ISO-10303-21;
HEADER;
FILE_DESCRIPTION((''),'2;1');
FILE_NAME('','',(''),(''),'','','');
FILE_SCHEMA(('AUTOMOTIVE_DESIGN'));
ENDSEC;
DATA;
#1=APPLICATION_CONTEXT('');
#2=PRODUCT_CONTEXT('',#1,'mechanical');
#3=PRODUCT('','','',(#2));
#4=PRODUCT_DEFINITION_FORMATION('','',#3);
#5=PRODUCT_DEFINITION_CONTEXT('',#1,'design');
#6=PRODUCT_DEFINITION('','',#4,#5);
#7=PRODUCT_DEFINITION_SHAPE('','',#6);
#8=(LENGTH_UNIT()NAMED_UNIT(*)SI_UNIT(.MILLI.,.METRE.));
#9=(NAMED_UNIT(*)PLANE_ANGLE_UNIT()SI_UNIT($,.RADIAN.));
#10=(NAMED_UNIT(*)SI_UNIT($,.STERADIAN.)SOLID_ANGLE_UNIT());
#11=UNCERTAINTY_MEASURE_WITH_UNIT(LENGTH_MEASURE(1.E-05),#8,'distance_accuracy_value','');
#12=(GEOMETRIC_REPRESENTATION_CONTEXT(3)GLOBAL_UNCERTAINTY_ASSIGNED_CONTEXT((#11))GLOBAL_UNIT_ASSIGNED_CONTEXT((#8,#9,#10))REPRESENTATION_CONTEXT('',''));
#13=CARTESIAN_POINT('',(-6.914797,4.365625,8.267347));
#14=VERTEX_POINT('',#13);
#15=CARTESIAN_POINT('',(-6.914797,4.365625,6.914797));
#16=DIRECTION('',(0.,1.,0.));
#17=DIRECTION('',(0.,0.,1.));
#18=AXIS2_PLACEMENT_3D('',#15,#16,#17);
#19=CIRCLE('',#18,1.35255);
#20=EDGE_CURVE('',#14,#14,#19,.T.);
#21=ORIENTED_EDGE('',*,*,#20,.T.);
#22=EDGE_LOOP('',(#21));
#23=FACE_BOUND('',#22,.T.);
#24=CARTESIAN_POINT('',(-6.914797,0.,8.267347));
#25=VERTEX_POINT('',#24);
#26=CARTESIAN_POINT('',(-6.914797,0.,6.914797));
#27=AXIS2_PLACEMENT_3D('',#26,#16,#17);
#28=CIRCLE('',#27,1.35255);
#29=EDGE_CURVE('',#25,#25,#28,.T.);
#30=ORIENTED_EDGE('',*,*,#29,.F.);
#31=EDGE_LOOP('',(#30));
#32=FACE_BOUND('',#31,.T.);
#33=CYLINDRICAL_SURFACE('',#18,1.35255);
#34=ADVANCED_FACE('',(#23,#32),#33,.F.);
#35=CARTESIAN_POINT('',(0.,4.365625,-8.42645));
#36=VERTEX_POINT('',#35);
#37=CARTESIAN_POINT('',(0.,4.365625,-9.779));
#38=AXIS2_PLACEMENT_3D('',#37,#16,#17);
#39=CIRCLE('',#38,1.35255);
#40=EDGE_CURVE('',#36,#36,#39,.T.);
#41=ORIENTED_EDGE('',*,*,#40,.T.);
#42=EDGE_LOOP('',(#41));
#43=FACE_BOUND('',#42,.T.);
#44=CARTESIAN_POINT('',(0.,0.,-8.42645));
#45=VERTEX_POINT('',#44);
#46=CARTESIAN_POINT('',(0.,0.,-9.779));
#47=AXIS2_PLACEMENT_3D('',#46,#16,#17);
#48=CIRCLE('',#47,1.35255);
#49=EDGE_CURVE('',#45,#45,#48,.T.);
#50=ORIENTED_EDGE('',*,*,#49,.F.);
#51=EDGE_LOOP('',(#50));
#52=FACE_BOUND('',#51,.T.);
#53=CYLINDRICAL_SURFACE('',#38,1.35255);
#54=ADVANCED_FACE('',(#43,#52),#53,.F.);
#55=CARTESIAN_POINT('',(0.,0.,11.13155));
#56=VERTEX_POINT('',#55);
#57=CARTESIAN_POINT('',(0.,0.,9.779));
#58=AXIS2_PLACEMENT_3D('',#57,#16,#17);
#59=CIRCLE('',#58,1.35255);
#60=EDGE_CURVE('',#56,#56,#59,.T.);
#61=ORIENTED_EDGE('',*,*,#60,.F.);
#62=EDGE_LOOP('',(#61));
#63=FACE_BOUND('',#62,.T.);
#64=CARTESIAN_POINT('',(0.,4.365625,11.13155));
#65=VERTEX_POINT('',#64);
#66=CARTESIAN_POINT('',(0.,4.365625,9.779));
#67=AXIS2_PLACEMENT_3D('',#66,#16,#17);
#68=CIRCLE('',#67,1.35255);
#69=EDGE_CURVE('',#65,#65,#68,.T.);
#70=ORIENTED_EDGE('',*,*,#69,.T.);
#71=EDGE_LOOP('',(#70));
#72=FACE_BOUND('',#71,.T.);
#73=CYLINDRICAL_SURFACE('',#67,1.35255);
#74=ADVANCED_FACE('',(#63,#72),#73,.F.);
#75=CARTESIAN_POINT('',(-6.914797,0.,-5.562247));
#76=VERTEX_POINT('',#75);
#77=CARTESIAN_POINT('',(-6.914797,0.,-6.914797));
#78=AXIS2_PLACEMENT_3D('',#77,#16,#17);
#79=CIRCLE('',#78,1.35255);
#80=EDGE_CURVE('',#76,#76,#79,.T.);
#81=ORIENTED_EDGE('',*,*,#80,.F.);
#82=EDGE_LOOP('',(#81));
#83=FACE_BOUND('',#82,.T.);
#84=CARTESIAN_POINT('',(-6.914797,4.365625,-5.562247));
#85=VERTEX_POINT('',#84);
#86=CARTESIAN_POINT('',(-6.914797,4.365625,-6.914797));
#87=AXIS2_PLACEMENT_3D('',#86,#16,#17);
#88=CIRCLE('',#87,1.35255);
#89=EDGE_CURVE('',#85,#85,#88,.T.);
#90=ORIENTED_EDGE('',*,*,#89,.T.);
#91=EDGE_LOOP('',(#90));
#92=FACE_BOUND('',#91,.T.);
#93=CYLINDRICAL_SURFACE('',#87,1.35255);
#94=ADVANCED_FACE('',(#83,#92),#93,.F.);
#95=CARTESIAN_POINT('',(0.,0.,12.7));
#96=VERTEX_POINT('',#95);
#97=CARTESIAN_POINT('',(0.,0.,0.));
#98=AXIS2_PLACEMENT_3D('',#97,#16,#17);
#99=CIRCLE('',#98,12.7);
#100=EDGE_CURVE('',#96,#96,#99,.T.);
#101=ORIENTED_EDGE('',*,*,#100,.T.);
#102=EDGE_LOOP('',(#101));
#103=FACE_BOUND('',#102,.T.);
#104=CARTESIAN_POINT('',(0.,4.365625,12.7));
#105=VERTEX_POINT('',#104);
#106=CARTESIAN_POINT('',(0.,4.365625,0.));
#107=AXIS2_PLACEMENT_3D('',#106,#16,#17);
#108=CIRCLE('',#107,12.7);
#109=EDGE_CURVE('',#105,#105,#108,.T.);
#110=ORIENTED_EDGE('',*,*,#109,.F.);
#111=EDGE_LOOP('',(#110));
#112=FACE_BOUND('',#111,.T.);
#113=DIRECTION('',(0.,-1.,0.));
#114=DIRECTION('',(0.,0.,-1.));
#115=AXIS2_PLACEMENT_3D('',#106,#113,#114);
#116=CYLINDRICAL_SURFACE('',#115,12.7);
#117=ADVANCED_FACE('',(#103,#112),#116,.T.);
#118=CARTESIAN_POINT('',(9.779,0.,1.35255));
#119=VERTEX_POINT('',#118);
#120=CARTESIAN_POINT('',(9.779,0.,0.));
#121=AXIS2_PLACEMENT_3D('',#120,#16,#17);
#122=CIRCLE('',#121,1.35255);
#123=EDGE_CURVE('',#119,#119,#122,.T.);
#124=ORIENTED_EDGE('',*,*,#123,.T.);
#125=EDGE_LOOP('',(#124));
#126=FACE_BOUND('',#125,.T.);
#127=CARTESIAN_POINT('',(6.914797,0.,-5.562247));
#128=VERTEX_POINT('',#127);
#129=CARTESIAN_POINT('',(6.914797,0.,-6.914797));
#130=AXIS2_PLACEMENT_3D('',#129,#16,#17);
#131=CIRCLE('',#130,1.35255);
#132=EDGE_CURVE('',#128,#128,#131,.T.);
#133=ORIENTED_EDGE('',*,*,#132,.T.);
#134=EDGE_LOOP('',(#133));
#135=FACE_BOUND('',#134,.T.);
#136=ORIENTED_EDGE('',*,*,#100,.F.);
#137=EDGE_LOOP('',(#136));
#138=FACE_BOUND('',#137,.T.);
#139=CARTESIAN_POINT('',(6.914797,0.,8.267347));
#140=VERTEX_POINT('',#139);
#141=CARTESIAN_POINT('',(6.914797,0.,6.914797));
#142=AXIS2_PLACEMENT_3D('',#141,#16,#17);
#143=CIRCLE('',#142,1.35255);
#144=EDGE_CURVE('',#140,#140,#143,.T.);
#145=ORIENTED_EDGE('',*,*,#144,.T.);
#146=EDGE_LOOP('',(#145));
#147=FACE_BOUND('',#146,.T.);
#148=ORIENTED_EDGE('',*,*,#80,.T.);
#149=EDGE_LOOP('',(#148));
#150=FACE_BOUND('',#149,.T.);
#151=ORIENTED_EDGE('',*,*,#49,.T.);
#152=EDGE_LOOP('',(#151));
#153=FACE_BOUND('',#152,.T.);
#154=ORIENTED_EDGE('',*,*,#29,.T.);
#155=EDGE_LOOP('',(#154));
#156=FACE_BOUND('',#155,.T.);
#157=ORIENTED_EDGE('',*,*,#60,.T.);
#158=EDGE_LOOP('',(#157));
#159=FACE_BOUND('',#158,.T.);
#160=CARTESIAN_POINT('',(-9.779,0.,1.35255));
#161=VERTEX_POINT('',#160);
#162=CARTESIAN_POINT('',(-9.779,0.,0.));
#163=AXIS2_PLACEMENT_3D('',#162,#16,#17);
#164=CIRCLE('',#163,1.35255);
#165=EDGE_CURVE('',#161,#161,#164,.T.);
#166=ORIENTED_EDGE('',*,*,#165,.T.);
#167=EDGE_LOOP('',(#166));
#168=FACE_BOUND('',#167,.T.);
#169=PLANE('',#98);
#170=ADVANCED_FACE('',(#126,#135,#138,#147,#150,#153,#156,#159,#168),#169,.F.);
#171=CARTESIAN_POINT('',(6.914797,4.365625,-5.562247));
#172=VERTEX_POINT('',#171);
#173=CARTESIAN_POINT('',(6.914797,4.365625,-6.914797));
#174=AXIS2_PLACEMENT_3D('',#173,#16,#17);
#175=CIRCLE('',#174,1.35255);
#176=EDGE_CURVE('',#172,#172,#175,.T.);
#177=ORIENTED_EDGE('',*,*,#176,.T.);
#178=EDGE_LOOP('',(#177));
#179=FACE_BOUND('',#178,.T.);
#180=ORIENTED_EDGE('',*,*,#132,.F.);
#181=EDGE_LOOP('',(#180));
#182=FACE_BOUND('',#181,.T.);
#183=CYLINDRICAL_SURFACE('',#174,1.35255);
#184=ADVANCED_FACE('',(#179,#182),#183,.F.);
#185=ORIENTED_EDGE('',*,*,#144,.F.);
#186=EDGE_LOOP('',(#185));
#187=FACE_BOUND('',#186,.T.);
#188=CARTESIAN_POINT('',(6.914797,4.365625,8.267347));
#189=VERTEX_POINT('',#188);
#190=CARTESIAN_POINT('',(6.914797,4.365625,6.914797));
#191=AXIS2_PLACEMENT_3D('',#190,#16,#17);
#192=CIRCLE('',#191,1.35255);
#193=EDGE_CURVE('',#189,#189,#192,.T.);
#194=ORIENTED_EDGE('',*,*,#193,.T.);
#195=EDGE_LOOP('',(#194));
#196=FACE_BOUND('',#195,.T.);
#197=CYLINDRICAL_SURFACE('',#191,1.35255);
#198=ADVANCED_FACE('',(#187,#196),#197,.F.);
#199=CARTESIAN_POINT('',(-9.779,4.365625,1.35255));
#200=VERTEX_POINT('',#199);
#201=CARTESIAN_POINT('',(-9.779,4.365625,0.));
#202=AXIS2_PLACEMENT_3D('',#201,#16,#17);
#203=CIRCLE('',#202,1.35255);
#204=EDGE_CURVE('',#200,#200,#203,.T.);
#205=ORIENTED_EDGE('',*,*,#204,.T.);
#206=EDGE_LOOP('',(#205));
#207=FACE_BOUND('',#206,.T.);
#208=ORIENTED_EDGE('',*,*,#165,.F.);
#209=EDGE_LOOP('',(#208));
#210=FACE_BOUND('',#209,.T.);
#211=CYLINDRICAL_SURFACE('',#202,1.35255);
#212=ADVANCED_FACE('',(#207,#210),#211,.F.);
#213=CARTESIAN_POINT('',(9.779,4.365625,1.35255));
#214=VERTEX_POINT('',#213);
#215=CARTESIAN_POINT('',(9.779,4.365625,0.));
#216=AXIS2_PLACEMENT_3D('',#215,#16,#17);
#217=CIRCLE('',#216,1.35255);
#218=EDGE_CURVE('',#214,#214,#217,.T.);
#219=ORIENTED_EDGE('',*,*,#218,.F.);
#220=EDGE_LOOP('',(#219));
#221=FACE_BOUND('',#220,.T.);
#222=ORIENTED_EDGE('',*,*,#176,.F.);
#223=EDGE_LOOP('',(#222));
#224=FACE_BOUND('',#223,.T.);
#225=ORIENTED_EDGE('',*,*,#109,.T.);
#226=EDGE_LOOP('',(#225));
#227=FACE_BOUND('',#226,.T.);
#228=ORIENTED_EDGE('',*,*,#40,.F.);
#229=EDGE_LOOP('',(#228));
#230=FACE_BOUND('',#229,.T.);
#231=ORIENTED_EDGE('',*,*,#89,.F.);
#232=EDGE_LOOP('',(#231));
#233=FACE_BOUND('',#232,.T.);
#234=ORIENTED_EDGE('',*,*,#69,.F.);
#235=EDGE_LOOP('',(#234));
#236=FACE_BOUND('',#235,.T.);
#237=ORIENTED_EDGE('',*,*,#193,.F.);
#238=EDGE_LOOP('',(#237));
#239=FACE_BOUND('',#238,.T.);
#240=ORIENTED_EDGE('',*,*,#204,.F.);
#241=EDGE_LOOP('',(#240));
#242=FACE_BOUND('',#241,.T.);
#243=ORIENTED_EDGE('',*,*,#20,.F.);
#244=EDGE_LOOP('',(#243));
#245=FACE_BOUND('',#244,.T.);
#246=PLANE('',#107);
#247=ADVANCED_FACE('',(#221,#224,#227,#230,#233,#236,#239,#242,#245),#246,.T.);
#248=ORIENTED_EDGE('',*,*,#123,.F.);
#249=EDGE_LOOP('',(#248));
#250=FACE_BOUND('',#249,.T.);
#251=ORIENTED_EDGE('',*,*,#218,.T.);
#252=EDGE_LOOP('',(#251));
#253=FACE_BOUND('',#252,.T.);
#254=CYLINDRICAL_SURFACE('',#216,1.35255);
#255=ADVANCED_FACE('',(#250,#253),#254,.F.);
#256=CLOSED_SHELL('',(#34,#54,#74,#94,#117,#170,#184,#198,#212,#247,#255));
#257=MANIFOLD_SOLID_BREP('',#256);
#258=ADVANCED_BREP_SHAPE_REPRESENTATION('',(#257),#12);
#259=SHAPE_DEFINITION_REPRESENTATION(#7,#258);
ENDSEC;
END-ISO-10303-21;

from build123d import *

# Parameters (mm, degrees)
SKETCH1_R                 = 12.7
BOSS_EXTRUDE1_DEPTH       = 4.365625
F_6_32_TAPPED_HOLE1_D     = 2.7051
F_6_32_TAPPED_HOLE1_DEPTH = 23.876
F_6_32_TAPPED_HOLE1_TIP   = 0.81269403


with BuildPart() as part:
    # Sketch1 → Boss-Extrude1 (new body)
    with BuildSketch(Plane(origin=(0, 0, 0), x_dir=(1, 0, 0), z_dir=(0, 1, 0))):
        with Locations(Location((0, 0, 0), (0, 0, 270))):
            Circle(SKETCH1_R)
    extrude(amount=BOSS_EXTRUDE1_DEPTH)

    # #6-32 Tapped Hole1
    with Locations(Plane(origin=(0, 4.365625, 0), x_dir=(1, 0, 0), z_dir=(0, 1, 0))):
        with Locations((0, 9.779), (6.914797213, 6.914797213), (9.779, 0), (6.914797213, -6.914797213), (0, -9.779), (-6.914797213, -6.914797213), (-9.779, 0), (-6.914797213, 6.914797213)):
            Hole(F_6_32_TAPPED_HOLE1_D / 2, depth=F_6_32_TAPPED_HOLE1_DEPTH)
            with Locations((0, 0, -(F_6_32_TAPPED_HOLE1_DEPTH + F_6_32_TAPPED_HOLE1_TIP / 2))):  # 118° drill point
                Cone(0, F_6_32_TAPPED_HOLE1_D / 2, F_6_32_TAPPED_HOLE1_TIP, mode=Mode.SUBTRACT)


solid = part.part
